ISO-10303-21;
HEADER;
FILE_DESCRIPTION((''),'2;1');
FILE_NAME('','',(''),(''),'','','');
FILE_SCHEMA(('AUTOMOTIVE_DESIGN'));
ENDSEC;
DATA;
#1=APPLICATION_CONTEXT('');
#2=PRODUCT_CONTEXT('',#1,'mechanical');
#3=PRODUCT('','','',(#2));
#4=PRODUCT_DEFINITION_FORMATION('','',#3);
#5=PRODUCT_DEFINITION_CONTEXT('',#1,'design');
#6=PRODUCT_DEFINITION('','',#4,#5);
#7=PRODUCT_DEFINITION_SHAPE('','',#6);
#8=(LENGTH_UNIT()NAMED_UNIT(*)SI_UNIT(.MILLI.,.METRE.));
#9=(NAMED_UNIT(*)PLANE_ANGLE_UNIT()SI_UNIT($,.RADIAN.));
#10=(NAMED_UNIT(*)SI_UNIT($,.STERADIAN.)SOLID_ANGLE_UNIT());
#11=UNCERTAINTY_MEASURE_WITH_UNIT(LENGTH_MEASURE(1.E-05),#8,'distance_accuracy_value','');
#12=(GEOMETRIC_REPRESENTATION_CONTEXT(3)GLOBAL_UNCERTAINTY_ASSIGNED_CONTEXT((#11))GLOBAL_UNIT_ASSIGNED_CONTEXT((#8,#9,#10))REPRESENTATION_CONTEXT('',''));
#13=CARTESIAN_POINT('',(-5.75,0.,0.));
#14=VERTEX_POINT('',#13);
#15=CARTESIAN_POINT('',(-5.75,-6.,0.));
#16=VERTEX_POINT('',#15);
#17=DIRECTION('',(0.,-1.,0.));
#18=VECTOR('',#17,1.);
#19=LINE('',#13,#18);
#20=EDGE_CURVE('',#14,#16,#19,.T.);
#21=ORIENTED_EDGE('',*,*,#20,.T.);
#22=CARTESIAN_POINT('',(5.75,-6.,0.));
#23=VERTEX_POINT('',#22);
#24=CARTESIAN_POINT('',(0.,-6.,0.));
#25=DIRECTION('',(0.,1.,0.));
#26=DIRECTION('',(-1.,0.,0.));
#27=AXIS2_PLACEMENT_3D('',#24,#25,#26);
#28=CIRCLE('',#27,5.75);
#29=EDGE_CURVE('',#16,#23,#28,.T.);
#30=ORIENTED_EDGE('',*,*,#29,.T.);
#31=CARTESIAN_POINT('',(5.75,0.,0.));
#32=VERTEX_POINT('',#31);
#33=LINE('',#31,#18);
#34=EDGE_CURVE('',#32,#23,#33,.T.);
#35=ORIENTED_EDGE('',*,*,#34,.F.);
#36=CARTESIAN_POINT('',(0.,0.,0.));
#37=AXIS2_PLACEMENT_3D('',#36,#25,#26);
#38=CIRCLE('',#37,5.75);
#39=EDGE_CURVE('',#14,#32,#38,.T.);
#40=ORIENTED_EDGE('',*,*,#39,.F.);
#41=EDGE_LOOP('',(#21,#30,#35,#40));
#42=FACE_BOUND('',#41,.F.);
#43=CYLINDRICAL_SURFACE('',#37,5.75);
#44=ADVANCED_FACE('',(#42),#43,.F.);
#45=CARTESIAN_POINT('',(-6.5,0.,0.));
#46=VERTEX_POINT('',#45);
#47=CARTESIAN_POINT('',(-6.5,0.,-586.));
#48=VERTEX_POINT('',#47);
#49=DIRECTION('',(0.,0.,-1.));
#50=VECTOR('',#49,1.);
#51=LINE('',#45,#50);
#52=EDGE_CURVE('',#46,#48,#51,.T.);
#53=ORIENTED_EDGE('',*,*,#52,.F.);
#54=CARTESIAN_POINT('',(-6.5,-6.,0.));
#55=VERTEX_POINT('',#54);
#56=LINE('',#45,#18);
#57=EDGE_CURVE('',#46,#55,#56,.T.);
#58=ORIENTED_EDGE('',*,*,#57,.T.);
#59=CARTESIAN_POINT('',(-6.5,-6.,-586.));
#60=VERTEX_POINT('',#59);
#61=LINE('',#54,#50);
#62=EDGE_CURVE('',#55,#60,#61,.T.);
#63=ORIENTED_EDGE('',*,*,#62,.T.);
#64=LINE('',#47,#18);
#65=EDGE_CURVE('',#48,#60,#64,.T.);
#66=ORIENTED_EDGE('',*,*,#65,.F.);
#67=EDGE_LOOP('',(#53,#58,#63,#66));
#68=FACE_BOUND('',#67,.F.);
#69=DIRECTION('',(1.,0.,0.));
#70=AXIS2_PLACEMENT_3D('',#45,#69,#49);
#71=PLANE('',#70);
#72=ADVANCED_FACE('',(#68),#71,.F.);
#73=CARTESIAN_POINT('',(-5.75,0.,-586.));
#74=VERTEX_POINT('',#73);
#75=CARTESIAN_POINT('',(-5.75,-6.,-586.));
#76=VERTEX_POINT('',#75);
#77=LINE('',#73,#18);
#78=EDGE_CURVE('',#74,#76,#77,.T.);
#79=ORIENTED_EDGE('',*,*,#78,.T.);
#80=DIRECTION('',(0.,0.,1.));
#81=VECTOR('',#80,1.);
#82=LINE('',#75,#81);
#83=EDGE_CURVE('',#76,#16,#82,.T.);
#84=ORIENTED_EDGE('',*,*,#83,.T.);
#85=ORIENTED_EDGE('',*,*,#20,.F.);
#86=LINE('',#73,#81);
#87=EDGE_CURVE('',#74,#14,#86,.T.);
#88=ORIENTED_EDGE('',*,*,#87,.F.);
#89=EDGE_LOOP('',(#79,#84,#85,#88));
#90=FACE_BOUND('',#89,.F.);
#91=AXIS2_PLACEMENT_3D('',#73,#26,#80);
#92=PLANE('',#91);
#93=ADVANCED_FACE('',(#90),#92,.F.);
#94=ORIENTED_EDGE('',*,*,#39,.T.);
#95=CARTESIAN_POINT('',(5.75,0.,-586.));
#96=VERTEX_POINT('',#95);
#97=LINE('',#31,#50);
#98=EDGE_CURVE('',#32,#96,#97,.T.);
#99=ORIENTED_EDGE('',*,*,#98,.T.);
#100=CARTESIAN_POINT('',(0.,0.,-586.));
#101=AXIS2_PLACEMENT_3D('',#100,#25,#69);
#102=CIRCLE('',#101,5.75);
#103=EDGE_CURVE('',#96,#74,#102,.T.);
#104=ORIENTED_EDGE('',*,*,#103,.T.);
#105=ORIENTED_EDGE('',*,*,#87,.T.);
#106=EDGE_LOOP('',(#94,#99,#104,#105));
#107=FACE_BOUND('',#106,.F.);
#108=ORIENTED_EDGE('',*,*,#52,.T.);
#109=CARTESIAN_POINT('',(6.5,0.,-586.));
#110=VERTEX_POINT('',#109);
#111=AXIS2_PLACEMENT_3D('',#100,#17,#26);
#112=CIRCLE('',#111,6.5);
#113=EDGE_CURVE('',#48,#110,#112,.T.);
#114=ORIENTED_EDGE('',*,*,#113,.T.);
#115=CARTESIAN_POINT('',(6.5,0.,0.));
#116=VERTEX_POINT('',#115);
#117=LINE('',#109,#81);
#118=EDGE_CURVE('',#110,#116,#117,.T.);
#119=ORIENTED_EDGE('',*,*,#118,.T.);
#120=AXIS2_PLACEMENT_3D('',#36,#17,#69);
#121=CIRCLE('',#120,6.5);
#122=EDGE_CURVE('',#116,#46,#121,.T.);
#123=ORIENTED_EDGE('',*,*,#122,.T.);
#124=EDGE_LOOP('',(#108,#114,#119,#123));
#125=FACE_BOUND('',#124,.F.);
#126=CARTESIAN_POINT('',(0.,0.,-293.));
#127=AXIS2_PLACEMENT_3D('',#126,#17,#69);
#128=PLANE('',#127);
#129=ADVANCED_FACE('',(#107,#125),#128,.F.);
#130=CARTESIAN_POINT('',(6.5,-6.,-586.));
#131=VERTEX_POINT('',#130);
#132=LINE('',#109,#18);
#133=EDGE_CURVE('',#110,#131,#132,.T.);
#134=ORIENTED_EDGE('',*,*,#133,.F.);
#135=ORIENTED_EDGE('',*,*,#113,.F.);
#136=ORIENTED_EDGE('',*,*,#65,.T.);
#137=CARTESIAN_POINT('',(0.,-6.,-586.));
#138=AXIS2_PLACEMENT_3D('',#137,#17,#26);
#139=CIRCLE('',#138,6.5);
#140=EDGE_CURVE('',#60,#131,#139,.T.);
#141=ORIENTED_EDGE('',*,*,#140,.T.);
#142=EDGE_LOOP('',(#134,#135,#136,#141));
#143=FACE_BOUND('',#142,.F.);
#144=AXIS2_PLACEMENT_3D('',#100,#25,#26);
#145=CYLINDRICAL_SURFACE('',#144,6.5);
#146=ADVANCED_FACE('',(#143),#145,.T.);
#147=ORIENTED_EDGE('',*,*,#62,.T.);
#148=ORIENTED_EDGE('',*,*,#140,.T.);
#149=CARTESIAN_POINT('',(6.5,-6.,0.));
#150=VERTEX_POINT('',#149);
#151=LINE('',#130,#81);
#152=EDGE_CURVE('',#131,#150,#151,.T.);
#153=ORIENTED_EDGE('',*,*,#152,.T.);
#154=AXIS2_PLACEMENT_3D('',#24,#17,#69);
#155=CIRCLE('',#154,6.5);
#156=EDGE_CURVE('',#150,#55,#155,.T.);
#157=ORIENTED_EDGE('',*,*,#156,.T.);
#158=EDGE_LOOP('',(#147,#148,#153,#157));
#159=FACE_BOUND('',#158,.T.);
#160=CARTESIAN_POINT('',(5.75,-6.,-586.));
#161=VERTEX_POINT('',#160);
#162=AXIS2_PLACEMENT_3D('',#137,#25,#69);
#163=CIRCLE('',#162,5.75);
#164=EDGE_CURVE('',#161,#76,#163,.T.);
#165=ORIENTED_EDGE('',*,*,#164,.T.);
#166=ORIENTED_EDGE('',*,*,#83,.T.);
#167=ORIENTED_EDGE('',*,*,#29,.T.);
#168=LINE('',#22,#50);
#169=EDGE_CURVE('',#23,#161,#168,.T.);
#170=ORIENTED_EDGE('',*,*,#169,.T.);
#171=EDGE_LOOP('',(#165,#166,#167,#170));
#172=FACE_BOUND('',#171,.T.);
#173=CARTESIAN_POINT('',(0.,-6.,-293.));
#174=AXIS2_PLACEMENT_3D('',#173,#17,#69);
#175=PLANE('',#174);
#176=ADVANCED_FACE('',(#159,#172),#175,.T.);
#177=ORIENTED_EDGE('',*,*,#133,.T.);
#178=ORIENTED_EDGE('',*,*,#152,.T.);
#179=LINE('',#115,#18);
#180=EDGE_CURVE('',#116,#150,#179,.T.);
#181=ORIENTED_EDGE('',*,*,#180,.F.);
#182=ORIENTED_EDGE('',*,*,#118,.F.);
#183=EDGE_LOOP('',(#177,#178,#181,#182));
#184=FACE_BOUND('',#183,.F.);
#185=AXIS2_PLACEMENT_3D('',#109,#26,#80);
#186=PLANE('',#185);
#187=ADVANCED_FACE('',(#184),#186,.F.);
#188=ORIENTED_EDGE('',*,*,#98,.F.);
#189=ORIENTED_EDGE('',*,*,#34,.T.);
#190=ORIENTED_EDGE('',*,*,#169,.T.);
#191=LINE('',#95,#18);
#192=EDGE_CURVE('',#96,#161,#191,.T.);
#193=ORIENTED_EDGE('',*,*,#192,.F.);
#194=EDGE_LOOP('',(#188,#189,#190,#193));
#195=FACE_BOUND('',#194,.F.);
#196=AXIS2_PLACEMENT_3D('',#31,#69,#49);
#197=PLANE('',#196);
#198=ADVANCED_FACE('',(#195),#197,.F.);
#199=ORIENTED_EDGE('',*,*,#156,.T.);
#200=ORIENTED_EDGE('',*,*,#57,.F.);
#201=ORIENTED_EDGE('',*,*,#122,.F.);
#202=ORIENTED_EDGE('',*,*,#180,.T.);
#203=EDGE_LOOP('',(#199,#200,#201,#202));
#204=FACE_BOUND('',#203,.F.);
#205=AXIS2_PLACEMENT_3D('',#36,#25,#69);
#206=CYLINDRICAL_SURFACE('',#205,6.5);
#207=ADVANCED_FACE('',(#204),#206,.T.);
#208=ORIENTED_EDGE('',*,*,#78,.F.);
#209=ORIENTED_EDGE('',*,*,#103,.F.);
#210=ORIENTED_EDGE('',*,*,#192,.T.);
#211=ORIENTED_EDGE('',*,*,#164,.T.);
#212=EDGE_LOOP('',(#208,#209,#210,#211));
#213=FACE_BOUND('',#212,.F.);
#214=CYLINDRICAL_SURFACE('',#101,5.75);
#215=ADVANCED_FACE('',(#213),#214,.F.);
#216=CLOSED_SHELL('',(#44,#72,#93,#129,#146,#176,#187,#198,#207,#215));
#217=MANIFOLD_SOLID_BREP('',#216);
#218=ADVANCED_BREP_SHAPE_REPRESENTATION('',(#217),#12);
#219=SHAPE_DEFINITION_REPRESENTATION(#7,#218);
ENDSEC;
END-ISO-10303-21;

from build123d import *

# Parameters (mm, degrees)
F1_DEPTH = 6


with BuildPart() as f1:
    # F0 (on Front) → F1 (new body)
    with BuildSketch(Plane.XZ):
        with BuildLine():
            Line((6.5, -586), (6.5, 0))
            ThreePointArc((6.5, 0), (0, 6.5), (-6.5, 0))
            Line((-6.5, 0), (-6.5, -586))
            ThreePointArc((-6.5, -586), (0, -592.5), (6.5, -586))
        make_face()
        with BuildLine():
            ThreePointArc((-5.75, 0), (0, 5.75), (5.75, 0))
            Line((5.75, 0), (5.75, -586))
            ThreePointArc((5.75, -586), (0, -591.75), (-5.75, -586))
            Line((-5.75, -586), (-5.75, -6.373286))
            Line((-5.75, -6.373286), (-5.75, -5.373286))
            Line((-5.75, -5.373286), (-5.75, 0))
        make_face(mode=Mode.SUBTRACT)
    extrude(amount=F1_DEPTH)


solid = f1.part
